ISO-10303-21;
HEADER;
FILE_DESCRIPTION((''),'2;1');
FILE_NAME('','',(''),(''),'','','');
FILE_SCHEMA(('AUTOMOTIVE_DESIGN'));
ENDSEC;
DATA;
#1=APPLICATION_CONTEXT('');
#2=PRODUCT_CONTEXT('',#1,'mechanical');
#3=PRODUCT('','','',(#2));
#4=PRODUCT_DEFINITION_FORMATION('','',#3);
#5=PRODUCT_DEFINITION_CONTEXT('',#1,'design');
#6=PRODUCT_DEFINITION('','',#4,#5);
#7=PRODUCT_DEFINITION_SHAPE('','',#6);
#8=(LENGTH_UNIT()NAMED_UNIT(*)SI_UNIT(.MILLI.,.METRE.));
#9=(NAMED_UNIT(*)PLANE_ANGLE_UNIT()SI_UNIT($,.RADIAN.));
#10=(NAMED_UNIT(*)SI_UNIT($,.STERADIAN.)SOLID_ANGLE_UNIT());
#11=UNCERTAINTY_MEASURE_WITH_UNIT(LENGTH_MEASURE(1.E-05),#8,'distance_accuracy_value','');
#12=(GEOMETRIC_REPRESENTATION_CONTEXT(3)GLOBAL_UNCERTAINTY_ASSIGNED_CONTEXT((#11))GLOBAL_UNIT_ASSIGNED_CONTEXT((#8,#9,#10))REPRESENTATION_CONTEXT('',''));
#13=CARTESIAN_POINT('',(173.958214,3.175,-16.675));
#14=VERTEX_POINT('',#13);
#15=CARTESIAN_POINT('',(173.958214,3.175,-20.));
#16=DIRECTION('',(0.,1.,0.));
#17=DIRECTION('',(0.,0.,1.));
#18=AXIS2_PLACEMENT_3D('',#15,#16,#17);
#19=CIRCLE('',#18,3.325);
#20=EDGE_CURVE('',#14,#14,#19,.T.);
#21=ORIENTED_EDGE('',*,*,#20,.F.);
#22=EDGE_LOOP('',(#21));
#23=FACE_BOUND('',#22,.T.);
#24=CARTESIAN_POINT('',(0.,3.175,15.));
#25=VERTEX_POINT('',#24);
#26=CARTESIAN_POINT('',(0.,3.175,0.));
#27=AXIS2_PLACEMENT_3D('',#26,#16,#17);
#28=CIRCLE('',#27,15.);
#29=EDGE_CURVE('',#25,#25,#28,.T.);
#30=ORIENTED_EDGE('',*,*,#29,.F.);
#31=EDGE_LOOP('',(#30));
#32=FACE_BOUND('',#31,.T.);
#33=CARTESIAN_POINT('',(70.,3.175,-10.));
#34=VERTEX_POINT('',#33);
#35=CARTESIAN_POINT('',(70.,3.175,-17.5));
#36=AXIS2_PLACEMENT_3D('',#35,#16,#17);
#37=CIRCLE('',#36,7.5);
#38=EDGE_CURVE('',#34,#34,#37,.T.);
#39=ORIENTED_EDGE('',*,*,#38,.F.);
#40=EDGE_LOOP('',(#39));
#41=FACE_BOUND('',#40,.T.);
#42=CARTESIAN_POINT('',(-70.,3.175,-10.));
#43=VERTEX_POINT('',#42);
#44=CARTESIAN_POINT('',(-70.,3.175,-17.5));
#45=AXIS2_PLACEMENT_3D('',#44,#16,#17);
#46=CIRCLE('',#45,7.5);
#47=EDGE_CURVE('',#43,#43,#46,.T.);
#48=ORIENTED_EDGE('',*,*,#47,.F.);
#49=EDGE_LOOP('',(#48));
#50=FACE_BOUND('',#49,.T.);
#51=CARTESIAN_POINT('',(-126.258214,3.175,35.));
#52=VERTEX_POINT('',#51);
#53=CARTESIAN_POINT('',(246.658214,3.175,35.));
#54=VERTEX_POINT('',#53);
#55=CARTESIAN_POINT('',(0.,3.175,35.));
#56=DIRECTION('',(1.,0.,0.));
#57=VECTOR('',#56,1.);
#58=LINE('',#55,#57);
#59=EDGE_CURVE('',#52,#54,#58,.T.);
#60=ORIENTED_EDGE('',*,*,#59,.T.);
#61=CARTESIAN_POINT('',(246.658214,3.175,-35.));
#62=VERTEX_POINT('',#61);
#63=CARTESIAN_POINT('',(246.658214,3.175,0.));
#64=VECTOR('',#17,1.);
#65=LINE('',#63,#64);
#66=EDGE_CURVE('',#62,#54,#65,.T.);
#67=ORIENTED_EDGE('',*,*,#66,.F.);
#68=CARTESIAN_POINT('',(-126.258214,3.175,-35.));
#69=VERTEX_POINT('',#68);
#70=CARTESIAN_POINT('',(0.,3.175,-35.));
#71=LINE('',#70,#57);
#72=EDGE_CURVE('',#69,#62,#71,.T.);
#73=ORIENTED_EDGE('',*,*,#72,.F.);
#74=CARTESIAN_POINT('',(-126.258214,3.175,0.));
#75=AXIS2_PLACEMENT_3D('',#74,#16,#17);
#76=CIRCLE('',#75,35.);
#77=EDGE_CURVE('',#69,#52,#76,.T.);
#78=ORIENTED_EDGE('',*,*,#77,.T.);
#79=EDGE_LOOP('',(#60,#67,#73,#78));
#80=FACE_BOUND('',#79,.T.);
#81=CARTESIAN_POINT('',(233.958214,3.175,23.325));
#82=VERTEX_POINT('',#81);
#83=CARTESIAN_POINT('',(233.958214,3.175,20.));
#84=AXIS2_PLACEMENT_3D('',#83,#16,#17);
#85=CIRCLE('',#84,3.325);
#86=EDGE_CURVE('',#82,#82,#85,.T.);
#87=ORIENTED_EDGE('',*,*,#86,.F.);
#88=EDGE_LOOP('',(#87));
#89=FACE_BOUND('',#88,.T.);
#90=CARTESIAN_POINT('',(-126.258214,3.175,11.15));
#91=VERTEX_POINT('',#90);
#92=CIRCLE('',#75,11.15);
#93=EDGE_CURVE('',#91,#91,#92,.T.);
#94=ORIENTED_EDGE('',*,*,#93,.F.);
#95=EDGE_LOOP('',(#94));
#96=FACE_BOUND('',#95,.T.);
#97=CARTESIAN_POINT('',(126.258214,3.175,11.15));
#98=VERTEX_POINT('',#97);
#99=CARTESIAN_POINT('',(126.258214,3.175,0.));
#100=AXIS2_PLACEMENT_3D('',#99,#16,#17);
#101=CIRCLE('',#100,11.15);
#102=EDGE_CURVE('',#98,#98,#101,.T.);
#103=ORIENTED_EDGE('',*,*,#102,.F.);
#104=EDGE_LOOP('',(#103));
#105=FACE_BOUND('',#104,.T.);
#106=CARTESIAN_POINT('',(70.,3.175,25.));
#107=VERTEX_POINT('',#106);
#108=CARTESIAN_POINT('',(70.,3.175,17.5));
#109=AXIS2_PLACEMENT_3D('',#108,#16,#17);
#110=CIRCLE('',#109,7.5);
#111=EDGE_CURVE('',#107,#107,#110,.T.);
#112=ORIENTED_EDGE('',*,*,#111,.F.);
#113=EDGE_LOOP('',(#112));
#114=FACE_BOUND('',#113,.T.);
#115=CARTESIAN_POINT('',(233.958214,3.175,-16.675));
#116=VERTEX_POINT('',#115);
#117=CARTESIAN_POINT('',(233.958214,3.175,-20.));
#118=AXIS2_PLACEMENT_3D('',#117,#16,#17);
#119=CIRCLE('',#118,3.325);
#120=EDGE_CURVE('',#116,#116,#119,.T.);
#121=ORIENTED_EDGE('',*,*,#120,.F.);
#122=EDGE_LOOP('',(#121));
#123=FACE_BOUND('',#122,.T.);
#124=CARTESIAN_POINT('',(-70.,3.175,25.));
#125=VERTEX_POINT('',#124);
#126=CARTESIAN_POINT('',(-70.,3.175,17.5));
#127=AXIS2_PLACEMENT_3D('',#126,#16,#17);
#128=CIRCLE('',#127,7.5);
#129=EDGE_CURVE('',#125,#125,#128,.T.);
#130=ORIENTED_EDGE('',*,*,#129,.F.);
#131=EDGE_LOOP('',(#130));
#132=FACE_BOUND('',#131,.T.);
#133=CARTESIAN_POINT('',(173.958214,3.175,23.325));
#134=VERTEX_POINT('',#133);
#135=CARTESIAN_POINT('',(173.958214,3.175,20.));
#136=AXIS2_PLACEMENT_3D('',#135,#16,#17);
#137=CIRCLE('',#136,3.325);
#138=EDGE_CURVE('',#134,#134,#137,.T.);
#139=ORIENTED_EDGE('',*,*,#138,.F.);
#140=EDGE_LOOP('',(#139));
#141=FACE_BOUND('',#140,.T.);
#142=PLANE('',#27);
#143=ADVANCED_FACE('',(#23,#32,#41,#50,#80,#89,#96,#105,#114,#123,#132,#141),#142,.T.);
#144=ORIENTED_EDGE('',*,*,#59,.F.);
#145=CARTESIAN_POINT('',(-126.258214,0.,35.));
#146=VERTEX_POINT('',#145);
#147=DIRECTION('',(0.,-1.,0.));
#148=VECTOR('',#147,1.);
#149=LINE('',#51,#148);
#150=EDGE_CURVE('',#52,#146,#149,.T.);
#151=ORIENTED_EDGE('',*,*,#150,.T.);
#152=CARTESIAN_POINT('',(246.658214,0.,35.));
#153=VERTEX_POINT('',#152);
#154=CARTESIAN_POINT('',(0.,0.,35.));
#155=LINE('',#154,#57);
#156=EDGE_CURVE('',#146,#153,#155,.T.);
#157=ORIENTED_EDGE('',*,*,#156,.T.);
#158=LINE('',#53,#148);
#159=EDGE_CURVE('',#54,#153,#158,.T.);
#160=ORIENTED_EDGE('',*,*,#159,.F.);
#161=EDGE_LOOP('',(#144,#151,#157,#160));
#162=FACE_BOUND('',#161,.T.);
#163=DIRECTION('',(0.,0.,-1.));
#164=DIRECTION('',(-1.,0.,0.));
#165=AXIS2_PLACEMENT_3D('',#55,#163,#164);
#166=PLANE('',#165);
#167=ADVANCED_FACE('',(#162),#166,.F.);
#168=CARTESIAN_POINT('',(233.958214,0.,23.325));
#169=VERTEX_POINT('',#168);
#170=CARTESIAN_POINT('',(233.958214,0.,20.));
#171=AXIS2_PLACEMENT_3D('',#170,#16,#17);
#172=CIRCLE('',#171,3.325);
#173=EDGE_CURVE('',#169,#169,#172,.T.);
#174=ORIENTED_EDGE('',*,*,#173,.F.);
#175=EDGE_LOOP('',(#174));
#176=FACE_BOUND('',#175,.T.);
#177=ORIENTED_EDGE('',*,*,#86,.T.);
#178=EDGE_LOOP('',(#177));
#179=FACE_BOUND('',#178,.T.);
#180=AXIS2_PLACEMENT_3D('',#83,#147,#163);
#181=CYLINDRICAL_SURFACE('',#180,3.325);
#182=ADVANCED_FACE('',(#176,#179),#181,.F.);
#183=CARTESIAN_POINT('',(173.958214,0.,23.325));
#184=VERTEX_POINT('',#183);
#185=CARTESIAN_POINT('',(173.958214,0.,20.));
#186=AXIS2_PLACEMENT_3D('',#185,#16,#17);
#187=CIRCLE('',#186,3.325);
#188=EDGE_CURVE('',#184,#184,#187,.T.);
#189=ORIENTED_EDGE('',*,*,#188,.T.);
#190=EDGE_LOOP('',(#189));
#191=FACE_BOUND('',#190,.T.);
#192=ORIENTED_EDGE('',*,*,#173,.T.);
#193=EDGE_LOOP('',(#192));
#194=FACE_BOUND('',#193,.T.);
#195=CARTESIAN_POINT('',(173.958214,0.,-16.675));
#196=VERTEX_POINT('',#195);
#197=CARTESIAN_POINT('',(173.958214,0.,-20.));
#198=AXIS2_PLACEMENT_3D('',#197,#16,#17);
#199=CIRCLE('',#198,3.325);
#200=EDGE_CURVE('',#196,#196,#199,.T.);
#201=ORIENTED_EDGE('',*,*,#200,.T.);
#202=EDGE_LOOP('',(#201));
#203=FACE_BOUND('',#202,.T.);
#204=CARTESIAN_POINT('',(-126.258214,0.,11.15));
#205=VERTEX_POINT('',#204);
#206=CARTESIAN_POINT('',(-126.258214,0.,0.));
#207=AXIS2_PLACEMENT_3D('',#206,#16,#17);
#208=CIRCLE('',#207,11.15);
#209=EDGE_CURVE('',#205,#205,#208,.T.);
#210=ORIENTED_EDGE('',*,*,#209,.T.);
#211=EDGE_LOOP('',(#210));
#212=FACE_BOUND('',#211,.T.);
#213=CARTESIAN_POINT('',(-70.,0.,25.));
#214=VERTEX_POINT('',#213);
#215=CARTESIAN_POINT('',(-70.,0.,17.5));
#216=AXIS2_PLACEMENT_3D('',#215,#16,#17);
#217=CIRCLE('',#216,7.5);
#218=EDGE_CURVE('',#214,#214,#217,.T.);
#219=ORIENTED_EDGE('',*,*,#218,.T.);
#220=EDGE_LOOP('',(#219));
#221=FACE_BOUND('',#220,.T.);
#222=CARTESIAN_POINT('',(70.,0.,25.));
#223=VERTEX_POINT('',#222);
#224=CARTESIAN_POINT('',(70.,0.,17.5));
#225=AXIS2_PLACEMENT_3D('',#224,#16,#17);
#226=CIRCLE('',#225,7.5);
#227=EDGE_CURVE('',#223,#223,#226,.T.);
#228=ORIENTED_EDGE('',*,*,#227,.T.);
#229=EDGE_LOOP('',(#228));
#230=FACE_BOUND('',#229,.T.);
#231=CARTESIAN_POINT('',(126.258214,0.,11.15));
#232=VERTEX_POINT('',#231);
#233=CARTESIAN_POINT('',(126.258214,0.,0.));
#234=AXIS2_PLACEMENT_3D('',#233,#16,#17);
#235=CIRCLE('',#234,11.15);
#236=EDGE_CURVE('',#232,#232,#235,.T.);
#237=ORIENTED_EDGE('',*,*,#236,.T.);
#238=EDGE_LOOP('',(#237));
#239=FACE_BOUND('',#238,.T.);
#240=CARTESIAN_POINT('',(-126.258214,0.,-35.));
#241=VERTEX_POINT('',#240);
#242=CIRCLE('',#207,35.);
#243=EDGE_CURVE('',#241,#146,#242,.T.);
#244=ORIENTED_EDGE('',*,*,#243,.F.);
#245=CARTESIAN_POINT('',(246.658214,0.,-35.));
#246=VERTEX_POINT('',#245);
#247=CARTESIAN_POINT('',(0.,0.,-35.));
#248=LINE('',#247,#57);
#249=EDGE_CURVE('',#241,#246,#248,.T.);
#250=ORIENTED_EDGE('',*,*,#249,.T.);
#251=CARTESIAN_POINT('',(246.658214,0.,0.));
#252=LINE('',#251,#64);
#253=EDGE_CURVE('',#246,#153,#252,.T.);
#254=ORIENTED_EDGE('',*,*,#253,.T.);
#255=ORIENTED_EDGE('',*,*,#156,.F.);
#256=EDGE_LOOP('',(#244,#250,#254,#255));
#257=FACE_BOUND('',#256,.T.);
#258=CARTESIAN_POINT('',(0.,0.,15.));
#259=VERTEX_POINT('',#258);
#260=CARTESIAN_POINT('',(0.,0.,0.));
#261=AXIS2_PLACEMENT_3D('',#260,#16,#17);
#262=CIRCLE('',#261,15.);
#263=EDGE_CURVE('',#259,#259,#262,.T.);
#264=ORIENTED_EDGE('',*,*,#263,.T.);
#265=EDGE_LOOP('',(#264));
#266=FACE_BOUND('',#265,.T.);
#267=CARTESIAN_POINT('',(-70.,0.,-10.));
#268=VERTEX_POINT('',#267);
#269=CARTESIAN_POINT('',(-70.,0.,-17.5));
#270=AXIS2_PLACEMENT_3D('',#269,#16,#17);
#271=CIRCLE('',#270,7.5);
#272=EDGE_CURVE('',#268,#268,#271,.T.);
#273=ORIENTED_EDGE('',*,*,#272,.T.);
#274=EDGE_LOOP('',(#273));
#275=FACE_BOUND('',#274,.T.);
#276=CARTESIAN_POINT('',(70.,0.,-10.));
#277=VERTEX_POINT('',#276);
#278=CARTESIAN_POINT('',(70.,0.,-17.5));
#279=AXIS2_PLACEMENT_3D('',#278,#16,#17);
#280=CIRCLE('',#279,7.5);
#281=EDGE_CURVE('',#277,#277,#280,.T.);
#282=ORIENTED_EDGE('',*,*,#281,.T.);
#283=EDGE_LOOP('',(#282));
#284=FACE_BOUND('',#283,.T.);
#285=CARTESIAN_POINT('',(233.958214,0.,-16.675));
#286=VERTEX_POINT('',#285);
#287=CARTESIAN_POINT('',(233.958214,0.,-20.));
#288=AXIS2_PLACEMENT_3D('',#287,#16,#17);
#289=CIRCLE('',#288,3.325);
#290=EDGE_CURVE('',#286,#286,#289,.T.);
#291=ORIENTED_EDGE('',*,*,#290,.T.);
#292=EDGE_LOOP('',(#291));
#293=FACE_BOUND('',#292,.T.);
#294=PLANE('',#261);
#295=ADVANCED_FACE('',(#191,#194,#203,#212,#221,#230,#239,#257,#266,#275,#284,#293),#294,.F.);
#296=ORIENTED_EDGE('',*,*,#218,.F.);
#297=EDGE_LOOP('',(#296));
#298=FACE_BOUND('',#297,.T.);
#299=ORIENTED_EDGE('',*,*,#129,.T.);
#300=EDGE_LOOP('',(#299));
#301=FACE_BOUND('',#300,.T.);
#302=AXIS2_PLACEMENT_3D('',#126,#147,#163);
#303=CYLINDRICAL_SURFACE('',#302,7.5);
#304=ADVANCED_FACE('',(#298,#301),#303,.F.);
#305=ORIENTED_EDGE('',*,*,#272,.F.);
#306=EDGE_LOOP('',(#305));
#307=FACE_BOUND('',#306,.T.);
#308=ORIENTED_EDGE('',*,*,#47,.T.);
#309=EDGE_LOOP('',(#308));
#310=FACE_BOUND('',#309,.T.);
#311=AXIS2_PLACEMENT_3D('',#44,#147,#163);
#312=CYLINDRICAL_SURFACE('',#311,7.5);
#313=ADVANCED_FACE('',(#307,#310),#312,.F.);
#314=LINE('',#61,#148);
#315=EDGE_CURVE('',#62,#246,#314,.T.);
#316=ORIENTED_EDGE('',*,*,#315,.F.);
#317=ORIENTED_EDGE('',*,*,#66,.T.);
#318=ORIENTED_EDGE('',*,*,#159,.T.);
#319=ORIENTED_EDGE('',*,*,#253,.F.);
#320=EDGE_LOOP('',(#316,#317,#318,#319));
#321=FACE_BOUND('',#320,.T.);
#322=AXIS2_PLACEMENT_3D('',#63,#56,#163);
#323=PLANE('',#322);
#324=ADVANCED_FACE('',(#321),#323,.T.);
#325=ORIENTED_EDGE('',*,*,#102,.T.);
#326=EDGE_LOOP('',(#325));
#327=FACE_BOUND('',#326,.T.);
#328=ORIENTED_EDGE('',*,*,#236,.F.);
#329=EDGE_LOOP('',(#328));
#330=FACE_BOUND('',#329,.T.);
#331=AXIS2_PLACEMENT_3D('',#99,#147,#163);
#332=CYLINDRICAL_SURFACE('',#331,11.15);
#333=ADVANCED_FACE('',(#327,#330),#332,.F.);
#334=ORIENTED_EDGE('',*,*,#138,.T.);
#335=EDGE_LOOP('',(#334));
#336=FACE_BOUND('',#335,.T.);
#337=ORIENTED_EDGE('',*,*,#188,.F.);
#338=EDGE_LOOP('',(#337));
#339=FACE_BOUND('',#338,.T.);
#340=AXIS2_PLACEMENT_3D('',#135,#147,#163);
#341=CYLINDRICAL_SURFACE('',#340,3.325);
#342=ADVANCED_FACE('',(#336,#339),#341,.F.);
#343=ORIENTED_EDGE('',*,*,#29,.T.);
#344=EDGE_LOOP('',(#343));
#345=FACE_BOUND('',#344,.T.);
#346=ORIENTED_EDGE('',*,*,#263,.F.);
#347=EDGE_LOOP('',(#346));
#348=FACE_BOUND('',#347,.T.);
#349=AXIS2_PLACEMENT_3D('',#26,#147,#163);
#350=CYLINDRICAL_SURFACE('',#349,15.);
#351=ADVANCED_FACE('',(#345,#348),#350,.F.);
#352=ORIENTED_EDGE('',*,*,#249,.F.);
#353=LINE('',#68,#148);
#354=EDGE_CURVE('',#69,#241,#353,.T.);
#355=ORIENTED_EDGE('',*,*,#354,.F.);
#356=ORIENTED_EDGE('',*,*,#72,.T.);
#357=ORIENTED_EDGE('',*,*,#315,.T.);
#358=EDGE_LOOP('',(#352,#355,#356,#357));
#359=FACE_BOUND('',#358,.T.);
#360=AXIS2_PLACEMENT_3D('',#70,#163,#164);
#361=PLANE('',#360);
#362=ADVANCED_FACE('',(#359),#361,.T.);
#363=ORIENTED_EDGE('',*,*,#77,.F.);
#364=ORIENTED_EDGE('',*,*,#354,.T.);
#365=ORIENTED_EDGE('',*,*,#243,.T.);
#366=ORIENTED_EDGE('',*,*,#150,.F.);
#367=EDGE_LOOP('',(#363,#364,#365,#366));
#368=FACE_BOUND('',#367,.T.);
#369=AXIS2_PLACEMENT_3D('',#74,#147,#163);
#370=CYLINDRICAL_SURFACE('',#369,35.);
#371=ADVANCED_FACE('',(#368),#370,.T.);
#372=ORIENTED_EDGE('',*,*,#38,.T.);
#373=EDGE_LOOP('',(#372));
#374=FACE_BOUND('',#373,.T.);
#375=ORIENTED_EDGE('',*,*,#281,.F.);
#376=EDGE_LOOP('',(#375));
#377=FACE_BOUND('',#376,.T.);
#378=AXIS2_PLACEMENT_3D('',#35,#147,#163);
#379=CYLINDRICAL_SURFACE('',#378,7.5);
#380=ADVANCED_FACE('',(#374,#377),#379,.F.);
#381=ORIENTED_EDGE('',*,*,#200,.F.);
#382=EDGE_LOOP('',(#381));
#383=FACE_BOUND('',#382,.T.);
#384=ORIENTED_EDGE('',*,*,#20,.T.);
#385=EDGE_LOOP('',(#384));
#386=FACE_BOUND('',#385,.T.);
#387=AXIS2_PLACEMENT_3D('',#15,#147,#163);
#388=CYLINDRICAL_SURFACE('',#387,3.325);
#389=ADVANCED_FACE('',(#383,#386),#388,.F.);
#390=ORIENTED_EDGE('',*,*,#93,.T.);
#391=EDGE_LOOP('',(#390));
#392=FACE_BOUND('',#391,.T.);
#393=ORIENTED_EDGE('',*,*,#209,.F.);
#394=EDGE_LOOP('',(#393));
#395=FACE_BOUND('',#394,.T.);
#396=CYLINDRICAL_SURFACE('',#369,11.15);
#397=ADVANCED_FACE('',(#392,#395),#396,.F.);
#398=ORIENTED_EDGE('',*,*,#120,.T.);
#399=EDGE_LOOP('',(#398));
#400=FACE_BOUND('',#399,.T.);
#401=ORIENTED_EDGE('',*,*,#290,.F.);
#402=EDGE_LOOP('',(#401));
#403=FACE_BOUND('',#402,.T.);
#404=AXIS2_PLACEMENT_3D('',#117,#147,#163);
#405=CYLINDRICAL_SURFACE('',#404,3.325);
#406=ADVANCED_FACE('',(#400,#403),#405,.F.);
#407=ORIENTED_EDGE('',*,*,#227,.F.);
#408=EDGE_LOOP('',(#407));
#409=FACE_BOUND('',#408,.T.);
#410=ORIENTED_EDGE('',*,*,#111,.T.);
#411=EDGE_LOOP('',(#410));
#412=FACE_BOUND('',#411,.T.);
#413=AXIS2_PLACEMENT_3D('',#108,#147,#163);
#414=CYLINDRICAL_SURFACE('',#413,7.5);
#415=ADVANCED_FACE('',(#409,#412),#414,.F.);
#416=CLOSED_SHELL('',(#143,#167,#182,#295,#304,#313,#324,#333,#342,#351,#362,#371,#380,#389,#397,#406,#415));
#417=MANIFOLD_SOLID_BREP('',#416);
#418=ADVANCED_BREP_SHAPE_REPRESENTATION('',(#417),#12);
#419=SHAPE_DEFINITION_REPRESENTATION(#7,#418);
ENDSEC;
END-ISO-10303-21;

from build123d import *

# Parameters (mm, degrees)
SKETCH1_R           = 11.15
SKETCH1_R_2         = 7.5
SKETCH1_R_3         = 3.325
BOSS_EXTRUDE1_DEPTH = 3.175


with BuildPart() as part:
    # Sketch1 → Boss-Extrude1 (new body)
    with BuildSketch(Plane(origin=(0, 0, 0), x_dir=(1, 0, 0), z_dir=(0, 1, 0))):
        with BuildLine():
            ThreePointArc((-126.258214395, 35), (-161.258214395, 0), (-126.258214395, -35))
            Line((-126.258214395, -35), (246.658214395, -35))
            Line((246.658214395, -35), (246.658214395, 35))
            Line((246.658214395, 35), (-126.258214395, 35))
        make_face()
        with Locations((-126.258214395, 0)):
            Circle(SKETCH1_R, mode=Mode.SUBTRACT)
        with Locations((-70, -17.5)):
            Circle(SKETCH1_R_2, mode=Mode.SUBTRACT)
        with BuildLine():
            ThreePointArc((15, 0), (0, -15), (-15, 0))
            ThreePointArc((-15, 0), (0, 15), (15, 0))
        make_face(mode=Mode.SUBTRACT)
        with Locations((70, -17.5)):
            Circle(SKETCH1_R_2, mode=Mode.SUBTRACT)
        with Locations((173.958214395, -20)):
            Circle(SKETCH1_R_3, mode=Mode.SUBTRACT)
        with Locations((233.958214395, -20)):
            Circle(SKETCH1_R_3, mode=Mode.SUBTRACT)
        with Locations((-70, 17.5)):
            Circle(SKETCH1_R_2, mode=Mode.SUBTRACT)
        with Locations((126.258214395, 0)):
            Circle(SKETCH1_R, mode=Mode.SUBTRACT)
        with Locations((70, 17.5)):
            Circle(SKETCH1_R_2, mode=Mode.SUBTRACT)
        with Locations((173.958214395, 20)):
            Circle(SKETCH1_R_3, mode=Mode.SUBTRACT)
        with Locations((233.958214395, 20)):
            Circle(SKETCH1_R_3, mode=Mode.SUBTRACT)
    extrude(amount=BOSS_EXTRUDE1_DEPTH)


solid = part.part
